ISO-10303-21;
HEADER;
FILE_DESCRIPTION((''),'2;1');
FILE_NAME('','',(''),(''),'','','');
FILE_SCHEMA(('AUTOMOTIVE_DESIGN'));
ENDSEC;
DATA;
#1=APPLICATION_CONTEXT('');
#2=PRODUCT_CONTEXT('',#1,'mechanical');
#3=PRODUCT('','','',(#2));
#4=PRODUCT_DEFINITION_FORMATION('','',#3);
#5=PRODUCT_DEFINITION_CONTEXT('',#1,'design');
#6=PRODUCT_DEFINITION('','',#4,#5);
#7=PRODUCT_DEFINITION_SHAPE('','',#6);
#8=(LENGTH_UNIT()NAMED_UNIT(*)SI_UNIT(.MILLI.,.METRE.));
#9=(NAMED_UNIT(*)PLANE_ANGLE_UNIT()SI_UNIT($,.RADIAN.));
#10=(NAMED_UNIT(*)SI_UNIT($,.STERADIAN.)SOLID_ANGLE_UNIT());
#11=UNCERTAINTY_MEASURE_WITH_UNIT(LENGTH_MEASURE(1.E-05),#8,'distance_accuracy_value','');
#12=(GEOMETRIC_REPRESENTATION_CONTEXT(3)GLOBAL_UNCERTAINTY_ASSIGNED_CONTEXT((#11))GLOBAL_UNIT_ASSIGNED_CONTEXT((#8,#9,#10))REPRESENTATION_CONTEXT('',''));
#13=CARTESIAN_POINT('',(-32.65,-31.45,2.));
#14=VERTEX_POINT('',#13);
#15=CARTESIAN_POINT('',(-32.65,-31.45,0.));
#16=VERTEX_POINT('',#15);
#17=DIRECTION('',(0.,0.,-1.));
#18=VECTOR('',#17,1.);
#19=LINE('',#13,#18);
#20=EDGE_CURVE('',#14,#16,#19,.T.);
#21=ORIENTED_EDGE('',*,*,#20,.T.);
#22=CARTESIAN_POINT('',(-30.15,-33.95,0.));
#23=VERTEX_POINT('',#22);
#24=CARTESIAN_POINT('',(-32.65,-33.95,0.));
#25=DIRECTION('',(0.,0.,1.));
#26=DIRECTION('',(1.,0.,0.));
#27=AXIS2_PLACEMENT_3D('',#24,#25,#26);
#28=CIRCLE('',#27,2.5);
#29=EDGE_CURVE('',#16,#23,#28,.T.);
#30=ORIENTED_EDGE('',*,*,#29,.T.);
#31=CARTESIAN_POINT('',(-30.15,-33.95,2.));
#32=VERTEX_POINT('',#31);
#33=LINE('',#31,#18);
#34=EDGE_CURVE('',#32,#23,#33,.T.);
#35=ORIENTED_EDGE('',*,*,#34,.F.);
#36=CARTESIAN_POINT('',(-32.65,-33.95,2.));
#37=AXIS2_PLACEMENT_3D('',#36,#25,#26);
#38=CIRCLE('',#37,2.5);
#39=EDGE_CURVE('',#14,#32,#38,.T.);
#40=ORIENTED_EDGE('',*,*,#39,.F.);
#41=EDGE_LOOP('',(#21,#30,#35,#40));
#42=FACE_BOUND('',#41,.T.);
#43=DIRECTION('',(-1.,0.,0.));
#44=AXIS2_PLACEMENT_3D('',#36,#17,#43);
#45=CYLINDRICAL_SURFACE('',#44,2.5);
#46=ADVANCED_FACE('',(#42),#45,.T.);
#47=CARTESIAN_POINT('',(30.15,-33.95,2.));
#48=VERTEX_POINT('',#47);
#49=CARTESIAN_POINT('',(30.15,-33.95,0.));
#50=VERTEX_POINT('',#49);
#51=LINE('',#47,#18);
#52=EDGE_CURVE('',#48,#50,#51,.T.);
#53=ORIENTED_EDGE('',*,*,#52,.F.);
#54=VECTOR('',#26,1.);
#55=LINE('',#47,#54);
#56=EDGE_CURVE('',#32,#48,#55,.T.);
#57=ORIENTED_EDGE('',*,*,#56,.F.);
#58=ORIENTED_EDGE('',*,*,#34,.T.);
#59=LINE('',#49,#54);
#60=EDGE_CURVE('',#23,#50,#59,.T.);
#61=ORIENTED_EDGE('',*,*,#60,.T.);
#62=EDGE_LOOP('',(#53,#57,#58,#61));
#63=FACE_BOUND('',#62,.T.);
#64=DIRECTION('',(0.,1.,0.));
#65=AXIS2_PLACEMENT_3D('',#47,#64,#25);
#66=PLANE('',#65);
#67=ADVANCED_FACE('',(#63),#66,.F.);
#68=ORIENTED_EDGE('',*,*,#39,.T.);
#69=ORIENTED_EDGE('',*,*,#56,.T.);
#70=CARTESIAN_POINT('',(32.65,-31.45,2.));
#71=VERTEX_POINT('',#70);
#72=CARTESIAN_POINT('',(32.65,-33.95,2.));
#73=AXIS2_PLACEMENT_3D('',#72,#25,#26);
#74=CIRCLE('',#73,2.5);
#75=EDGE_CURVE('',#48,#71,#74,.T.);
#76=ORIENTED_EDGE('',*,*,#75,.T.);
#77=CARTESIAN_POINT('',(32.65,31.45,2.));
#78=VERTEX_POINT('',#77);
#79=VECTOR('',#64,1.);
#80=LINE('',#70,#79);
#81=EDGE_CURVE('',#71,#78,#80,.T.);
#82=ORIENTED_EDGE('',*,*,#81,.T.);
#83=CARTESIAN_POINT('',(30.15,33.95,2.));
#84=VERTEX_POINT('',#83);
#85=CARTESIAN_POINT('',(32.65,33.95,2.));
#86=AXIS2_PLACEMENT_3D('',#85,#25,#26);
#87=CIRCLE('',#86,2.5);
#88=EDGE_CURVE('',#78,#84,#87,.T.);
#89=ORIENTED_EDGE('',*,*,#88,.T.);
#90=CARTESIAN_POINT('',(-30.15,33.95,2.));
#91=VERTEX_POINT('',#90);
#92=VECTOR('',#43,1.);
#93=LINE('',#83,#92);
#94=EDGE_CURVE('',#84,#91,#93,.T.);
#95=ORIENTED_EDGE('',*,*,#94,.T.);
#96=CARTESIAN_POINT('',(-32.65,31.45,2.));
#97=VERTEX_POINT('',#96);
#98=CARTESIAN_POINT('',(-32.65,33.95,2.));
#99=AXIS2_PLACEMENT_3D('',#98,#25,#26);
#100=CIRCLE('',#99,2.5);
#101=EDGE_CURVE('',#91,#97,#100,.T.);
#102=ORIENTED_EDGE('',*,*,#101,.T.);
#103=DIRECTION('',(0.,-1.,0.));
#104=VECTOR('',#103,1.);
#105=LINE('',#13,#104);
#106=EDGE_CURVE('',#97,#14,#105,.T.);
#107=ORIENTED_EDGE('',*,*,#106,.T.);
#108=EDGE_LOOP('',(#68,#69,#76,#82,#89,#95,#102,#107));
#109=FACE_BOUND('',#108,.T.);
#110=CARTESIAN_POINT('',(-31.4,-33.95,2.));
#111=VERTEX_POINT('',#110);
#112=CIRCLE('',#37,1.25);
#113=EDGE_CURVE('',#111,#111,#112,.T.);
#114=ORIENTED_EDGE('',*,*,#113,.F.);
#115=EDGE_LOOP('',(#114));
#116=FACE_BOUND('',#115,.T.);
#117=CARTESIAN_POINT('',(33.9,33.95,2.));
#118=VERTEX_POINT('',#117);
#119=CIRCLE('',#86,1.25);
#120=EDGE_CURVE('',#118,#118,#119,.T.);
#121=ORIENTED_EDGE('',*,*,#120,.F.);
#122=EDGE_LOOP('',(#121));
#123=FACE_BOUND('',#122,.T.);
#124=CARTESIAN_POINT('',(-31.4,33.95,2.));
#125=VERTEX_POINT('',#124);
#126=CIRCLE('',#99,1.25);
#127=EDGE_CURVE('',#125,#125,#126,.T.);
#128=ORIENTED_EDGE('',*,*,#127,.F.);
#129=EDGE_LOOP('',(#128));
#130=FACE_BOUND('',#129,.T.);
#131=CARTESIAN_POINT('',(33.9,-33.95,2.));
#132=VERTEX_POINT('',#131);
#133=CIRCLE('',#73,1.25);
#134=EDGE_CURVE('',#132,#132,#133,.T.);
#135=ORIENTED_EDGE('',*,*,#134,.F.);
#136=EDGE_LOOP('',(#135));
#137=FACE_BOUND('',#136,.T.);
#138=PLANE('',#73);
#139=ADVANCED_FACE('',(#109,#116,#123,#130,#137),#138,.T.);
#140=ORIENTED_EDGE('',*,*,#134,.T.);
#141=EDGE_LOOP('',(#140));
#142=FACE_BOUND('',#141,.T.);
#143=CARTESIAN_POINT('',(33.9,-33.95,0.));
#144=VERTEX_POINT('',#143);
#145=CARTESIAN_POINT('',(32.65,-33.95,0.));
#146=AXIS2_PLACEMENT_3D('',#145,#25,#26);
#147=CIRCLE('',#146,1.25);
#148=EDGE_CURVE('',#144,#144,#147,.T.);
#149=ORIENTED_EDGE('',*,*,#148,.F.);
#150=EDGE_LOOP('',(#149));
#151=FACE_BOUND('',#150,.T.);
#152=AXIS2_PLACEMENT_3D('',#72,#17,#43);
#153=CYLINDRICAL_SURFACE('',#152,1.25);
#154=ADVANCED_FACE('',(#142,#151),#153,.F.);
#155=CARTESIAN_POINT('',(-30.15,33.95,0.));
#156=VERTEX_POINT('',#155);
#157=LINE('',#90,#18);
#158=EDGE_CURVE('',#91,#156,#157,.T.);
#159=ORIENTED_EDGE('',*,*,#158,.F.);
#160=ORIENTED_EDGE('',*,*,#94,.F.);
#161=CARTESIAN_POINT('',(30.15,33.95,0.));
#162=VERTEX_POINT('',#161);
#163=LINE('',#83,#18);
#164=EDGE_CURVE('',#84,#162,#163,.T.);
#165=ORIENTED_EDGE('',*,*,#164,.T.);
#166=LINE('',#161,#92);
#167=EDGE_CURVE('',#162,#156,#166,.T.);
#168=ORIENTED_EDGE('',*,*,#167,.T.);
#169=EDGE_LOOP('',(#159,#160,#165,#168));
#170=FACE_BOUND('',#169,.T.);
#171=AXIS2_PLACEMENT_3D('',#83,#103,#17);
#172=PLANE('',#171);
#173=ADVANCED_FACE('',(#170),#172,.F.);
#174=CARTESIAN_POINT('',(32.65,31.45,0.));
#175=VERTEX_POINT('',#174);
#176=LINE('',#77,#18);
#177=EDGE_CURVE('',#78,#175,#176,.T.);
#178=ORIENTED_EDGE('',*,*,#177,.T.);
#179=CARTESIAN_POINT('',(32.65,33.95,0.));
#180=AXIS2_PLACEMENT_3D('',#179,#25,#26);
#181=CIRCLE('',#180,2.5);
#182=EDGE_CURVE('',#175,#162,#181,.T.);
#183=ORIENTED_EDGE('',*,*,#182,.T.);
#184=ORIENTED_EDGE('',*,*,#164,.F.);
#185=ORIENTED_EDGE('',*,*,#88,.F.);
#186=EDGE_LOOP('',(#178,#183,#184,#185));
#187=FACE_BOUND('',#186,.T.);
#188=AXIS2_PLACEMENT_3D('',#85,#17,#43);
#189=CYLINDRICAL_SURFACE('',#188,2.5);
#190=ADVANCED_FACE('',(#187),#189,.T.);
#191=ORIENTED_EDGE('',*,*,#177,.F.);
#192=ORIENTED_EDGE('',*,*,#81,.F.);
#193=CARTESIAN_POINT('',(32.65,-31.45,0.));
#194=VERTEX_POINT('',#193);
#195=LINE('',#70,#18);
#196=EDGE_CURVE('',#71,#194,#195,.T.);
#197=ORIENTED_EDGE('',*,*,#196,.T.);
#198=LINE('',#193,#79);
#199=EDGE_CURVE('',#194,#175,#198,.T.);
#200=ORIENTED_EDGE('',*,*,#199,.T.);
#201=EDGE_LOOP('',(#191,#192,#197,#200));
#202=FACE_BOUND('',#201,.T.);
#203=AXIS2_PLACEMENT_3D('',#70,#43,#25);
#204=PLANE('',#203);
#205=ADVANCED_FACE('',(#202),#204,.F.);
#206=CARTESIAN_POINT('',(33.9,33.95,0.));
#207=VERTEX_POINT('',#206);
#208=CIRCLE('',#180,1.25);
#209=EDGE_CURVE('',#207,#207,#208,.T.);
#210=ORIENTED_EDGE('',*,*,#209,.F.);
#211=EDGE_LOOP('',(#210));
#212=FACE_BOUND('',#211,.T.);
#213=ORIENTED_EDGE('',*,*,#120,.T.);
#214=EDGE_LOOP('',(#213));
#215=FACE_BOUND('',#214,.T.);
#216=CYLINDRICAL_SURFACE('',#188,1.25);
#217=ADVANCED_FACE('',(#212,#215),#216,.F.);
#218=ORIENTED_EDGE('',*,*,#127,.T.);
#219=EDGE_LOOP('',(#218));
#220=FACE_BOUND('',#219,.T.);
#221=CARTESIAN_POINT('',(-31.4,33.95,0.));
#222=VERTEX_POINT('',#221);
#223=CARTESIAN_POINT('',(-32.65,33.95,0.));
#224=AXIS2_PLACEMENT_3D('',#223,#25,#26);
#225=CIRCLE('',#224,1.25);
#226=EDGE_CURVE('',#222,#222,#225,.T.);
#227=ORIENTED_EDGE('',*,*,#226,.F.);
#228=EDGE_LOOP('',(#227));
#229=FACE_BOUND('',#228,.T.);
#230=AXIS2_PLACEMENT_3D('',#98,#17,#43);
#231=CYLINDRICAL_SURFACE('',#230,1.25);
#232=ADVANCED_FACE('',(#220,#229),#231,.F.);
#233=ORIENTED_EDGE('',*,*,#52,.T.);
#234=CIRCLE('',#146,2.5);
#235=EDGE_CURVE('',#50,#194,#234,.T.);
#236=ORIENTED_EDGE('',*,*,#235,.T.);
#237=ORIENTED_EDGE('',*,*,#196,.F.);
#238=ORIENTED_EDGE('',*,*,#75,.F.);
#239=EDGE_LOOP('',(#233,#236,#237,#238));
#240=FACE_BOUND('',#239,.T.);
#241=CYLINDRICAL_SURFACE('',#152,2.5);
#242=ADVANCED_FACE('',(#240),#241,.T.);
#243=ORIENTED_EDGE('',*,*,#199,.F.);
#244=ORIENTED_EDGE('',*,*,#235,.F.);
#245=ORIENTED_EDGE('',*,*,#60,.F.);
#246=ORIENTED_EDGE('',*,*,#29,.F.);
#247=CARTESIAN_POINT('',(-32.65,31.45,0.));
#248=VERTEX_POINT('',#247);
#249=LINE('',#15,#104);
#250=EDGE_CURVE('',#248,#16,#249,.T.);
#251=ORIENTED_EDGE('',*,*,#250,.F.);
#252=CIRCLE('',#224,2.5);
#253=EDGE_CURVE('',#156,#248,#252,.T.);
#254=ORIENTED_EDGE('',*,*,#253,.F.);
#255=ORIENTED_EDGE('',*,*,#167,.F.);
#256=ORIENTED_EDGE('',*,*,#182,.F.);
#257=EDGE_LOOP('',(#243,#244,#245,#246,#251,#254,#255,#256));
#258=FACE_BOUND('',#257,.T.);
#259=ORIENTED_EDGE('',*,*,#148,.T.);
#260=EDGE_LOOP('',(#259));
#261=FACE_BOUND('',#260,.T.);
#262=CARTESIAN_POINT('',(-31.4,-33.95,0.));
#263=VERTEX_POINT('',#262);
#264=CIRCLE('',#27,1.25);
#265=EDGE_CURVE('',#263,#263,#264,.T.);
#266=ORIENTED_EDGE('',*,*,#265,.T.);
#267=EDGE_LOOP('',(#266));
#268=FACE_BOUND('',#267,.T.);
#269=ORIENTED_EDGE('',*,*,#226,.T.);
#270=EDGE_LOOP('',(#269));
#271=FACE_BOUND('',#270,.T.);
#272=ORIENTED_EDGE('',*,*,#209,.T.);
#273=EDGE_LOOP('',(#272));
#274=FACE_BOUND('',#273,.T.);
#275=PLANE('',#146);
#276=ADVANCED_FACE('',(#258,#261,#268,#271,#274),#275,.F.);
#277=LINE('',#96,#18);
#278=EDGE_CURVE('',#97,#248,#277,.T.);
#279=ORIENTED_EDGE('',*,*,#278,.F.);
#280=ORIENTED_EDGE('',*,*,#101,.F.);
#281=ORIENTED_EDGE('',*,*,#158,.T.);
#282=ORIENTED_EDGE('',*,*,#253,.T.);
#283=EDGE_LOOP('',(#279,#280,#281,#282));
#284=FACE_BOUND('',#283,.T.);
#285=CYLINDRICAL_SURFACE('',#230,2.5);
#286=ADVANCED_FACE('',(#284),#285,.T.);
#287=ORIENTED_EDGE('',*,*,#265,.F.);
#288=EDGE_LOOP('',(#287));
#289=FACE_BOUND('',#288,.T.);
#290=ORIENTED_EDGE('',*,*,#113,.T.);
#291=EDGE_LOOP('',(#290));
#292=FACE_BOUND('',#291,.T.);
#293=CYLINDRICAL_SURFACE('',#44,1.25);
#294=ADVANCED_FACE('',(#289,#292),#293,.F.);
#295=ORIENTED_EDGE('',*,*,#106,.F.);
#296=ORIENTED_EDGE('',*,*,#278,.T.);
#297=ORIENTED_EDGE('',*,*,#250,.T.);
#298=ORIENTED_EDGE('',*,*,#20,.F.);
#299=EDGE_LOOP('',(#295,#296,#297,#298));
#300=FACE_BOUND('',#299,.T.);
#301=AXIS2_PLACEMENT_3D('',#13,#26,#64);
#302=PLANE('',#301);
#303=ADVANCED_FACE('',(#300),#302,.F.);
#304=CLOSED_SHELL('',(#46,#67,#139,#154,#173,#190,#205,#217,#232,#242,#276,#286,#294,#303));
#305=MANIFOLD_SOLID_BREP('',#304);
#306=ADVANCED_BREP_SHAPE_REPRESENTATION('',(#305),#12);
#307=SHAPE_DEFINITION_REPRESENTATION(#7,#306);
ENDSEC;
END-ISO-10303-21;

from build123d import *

# Parameters (mm, degrees)
SKETCH_1_R      = 1.25
EXTRUDE_1_DEPTH = 2


with BuildPart() as part:
    # 草图1 → 凸台-拉伸1 (new body)
    with BuildSketch(Plane.XY):
        with BuildLine():
            Line((30.15, 33.95), (-30.15, 33.95))
            ThreePointArc((-30.15, 33.95), (-34.417766953, 35.717766953), (-32.65, 31.45))
            Line((-32.65, 31.45), (-32.65, -31.45))
            ThreePointArc((-32.65, -31.45), (-34.417766953, -35.717766953), (-30.15, -33.95))
            Line((-30.15, -33.95), (30.15, -33.95))
            ThreePointArc((30.15, -33.95), (34.417766953, -35.717766953), (32.65, -31.45))
            Line((32.65, -31.45), (32.65, 31.45))
            ThreePointArc((32.65, 31.45), (34.417766953, 35.717766953), (30.15, 33.95))
        make_face()
        with Locations((-32.65, 33.95)):
            Circle(SKETCH_1_R, mode=Mode.SUBTRACT)
        with Locations((32.65, 33.95)):
            Circle(SKETCH_1_R, mode=Mode.SUBTRACT)
        with Locations((32.65, -33.95)):
            Circle(SKETCH_1_R, mode=Mode.SUBTRACT)
        with Locations((-32.65, -33.95)):
            Circle(SKETCH_1_R, mode=Mode.SUBTRACT)
    extrude(amount=EXTRUDE_1_DEPTH)


solid = part.part
